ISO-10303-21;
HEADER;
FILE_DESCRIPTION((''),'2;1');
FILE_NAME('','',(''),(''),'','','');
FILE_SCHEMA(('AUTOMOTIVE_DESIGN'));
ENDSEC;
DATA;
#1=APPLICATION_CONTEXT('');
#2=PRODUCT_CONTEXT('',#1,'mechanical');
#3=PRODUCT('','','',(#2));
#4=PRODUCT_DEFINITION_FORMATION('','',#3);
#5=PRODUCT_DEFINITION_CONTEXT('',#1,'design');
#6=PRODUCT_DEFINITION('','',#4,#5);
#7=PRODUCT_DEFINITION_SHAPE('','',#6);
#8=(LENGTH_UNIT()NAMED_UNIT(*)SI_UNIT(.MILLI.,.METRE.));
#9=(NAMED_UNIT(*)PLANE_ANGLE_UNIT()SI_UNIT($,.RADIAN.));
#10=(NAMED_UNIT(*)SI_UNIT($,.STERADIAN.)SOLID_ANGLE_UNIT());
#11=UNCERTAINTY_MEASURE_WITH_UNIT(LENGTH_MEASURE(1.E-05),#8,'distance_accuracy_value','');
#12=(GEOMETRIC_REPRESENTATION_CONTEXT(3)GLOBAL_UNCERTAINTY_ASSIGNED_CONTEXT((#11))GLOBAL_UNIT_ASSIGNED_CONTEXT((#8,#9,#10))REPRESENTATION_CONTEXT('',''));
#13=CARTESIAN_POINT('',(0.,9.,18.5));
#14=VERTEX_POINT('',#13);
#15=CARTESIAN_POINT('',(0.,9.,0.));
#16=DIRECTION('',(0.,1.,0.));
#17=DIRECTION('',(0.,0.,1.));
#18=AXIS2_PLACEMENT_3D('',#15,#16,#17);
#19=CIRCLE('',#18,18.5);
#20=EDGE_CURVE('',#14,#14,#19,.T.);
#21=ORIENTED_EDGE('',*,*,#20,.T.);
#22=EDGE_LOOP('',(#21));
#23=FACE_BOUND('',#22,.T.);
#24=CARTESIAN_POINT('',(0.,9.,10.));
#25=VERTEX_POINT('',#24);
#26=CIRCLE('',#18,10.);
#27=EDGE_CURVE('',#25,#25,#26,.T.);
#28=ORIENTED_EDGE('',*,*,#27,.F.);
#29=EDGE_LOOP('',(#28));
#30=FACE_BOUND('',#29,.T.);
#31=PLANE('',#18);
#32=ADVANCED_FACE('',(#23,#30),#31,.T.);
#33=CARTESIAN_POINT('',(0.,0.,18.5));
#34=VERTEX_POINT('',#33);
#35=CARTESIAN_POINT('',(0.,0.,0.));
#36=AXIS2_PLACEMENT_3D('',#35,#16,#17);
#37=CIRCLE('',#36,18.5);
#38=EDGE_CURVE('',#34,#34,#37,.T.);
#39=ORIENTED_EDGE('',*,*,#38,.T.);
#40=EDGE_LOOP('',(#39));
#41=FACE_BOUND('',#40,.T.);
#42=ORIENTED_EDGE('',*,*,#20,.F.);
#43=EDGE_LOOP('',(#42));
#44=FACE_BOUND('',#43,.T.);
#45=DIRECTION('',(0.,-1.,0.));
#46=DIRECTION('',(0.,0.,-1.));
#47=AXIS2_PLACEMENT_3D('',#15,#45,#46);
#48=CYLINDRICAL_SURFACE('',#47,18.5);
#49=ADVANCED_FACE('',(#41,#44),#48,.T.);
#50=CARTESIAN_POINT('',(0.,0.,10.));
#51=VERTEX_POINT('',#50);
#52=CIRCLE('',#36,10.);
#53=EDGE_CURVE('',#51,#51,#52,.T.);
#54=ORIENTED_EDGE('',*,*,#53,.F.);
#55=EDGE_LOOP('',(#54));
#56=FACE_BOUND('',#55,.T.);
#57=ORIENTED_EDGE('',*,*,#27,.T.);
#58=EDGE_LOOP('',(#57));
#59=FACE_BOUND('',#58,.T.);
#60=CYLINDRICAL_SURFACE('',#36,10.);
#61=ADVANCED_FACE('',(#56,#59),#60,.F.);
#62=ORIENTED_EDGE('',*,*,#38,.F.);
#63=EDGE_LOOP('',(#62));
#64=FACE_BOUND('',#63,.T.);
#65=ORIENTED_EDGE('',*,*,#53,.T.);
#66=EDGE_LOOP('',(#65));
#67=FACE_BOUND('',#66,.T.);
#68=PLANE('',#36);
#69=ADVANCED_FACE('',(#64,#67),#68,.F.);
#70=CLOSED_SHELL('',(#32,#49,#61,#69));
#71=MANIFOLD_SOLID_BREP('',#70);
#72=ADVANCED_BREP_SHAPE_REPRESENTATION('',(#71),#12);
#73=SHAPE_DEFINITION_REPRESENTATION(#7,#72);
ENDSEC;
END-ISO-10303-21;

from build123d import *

# Parameters (mm, degrees)
ESQUISSE1_R             = 18.5
BOSS_EXTRU_1_DEPTH      = 9
ESQUISSE2_R             = 10
ENL_V_MAT_EXTRU_1_DEPTH = 9


with BuildPart() as part:
    # Esquisse1 → Boss.-Extru.1 (new body)
    with BuildSketch(Plane(origin=(0, 0, 0), x_dir=(1, 0, 0), z_dir=(0, 1, 0))):
        with Locations(Location((0, 0, 0), (0, 0, 270))):
            Circle(ESQUISSE1_R)
    extrude(amount=BOSS_EXTRU_1_DEPTH)

    # Esquisse2 → Enlèv. mat.-Extru.1 (cut)
    with BuildSketch(Plane(origin=(0, 9, 0), x_dir=(1, 0, 0), z_dir=(0, 1, 0))):
        with Locations(Location((0, 0, 0), (0, 0, 270))):
            Circle(ESQUISSE2_R)
    extrude(amount=-ENL_V_MAT_EXTRU_1_DEPTH, mode=Mode.SUBTRACT)


solid = part.part
